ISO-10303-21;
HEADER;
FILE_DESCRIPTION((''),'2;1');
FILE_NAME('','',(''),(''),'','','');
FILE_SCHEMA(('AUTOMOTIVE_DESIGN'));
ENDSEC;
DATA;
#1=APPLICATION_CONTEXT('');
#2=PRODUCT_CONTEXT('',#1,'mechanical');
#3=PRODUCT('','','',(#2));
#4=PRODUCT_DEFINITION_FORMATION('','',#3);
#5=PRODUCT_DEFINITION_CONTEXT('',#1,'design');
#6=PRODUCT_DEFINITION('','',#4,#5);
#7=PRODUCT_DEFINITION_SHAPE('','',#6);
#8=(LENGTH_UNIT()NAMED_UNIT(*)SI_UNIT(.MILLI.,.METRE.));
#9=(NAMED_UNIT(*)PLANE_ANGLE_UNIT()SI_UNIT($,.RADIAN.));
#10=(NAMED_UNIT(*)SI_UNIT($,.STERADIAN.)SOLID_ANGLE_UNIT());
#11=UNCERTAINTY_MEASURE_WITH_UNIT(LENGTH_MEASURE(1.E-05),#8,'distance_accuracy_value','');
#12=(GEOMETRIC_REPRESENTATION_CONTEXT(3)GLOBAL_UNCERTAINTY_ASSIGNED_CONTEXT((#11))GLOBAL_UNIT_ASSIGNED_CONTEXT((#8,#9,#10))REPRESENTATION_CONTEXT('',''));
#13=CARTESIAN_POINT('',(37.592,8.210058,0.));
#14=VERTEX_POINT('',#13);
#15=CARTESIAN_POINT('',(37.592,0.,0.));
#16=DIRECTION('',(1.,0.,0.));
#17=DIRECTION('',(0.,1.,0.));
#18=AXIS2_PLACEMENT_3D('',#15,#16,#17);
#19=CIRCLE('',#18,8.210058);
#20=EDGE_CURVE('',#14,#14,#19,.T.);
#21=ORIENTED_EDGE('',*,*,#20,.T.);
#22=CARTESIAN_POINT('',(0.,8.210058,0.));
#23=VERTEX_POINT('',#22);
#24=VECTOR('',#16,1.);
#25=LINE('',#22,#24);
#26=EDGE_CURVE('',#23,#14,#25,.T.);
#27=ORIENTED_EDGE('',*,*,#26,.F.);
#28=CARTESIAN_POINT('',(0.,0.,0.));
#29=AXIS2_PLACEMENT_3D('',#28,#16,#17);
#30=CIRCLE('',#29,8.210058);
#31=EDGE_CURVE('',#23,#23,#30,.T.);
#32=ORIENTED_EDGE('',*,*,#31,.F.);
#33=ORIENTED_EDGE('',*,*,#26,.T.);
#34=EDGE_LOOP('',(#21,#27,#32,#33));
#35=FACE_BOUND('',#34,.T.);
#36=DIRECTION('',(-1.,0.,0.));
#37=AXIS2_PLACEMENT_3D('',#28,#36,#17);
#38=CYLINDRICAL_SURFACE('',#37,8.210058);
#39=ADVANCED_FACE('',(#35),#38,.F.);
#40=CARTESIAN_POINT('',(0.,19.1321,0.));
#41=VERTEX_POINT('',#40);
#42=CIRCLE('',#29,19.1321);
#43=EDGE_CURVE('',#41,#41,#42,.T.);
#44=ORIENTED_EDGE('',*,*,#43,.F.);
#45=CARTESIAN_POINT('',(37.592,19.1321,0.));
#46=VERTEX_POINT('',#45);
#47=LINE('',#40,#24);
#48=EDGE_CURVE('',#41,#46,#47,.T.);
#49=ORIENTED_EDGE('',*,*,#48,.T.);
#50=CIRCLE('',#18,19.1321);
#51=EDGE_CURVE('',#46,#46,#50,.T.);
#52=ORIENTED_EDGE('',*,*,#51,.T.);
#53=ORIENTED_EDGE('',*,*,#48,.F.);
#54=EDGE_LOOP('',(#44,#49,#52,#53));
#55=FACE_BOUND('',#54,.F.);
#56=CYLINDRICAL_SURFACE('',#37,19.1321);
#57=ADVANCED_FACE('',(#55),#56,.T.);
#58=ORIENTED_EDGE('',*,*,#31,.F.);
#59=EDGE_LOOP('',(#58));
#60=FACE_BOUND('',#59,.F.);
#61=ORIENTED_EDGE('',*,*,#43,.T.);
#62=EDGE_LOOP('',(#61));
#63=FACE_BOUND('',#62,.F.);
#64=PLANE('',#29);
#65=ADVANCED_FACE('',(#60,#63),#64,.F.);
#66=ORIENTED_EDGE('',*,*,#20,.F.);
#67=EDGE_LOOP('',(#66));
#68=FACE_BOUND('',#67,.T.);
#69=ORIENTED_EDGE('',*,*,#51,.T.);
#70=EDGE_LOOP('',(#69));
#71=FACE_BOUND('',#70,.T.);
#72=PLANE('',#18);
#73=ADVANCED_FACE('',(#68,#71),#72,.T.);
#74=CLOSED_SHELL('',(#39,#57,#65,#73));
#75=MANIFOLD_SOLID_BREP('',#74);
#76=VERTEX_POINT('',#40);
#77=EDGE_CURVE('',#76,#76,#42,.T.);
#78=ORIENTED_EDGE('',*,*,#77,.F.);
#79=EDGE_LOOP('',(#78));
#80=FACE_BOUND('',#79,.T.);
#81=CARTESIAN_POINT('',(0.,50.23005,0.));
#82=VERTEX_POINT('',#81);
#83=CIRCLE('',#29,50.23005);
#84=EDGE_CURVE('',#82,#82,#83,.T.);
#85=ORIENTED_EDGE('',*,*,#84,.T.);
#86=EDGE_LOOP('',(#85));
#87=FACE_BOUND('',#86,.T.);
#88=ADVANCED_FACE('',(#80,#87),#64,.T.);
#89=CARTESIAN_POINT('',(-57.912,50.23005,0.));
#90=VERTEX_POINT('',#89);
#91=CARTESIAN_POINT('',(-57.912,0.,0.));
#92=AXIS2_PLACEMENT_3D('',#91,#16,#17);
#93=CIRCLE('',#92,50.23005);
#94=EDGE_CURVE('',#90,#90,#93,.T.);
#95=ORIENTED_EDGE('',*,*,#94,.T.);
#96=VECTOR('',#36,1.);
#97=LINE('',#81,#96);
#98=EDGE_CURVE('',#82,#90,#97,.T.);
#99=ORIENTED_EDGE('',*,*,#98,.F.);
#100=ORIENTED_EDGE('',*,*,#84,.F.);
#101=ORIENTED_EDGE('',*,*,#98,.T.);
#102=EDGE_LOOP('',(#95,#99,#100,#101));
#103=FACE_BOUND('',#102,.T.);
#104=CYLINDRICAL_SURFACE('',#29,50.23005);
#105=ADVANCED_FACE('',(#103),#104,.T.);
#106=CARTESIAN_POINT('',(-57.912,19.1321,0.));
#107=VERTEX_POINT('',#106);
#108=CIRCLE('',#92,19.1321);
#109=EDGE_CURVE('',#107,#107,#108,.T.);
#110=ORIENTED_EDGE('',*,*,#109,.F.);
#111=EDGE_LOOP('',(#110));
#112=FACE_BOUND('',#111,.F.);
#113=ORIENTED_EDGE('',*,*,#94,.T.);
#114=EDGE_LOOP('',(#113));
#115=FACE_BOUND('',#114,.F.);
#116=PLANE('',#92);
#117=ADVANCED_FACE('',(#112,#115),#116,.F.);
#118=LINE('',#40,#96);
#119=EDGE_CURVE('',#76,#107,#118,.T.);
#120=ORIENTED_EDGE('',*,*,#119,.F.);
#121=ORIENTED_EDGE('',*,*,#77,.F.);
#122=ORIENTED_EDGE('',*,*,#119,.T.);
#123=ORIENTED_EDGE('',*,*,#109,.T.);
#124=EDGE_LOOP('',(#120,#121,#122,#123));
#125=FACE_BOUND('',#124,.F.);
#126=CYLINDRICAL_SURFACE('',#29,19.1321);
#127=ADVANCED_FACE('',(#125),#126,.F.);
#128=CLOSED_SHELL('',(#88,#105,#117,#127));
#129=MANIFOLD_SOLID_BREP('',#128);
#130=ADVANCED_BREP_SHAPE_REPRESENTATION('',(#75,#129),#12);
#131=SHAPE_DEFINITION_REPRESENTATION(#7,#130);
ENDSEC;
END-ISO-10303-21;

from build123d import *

# Parameters (mm, degrees)
F0_R     = 19.1321000997
F0_R_2   = 8.2100576967
F1_DEPTH = 37.592
F0_R_3   = 50.230050037
F0_R_4   = 27.2680196018
F2_DEPTH = 57.912
F3_DEPTH = 57.913


with BuildPart() as f1:
    # F0 (on Right) → F1 (new body)
    with BuildSketch(Plane.YZ):
        Circle(F0_R)
        Circle(F0_R_2, mode=Mode.SUBTRACT)
    extrude(amount=F1_DEPTH)

    # F0 (on Right) → F3 (cut, through all)
    with BuildSketch(Plane.YZ):
        Circle(F0_R_2)
    extrude(amount=-F3_DEPTH, mode=Mode.SUBTRACT)


with BuildPart() as f2:
    # F0 (on Right) → F2 (new body)
    with BuildSketch(Plane.YZ):
        Circle(F0_R_3)
        Circle(F0_R_4, mode=Mode.SUBTRACT)
        Circle(F0_R_4)
        Circle(F0_R, mode=Mode.SUBTRACT)
    extrude(amount=-F2_DEPTH)


solid = Compound([f1.part, f2.part])
